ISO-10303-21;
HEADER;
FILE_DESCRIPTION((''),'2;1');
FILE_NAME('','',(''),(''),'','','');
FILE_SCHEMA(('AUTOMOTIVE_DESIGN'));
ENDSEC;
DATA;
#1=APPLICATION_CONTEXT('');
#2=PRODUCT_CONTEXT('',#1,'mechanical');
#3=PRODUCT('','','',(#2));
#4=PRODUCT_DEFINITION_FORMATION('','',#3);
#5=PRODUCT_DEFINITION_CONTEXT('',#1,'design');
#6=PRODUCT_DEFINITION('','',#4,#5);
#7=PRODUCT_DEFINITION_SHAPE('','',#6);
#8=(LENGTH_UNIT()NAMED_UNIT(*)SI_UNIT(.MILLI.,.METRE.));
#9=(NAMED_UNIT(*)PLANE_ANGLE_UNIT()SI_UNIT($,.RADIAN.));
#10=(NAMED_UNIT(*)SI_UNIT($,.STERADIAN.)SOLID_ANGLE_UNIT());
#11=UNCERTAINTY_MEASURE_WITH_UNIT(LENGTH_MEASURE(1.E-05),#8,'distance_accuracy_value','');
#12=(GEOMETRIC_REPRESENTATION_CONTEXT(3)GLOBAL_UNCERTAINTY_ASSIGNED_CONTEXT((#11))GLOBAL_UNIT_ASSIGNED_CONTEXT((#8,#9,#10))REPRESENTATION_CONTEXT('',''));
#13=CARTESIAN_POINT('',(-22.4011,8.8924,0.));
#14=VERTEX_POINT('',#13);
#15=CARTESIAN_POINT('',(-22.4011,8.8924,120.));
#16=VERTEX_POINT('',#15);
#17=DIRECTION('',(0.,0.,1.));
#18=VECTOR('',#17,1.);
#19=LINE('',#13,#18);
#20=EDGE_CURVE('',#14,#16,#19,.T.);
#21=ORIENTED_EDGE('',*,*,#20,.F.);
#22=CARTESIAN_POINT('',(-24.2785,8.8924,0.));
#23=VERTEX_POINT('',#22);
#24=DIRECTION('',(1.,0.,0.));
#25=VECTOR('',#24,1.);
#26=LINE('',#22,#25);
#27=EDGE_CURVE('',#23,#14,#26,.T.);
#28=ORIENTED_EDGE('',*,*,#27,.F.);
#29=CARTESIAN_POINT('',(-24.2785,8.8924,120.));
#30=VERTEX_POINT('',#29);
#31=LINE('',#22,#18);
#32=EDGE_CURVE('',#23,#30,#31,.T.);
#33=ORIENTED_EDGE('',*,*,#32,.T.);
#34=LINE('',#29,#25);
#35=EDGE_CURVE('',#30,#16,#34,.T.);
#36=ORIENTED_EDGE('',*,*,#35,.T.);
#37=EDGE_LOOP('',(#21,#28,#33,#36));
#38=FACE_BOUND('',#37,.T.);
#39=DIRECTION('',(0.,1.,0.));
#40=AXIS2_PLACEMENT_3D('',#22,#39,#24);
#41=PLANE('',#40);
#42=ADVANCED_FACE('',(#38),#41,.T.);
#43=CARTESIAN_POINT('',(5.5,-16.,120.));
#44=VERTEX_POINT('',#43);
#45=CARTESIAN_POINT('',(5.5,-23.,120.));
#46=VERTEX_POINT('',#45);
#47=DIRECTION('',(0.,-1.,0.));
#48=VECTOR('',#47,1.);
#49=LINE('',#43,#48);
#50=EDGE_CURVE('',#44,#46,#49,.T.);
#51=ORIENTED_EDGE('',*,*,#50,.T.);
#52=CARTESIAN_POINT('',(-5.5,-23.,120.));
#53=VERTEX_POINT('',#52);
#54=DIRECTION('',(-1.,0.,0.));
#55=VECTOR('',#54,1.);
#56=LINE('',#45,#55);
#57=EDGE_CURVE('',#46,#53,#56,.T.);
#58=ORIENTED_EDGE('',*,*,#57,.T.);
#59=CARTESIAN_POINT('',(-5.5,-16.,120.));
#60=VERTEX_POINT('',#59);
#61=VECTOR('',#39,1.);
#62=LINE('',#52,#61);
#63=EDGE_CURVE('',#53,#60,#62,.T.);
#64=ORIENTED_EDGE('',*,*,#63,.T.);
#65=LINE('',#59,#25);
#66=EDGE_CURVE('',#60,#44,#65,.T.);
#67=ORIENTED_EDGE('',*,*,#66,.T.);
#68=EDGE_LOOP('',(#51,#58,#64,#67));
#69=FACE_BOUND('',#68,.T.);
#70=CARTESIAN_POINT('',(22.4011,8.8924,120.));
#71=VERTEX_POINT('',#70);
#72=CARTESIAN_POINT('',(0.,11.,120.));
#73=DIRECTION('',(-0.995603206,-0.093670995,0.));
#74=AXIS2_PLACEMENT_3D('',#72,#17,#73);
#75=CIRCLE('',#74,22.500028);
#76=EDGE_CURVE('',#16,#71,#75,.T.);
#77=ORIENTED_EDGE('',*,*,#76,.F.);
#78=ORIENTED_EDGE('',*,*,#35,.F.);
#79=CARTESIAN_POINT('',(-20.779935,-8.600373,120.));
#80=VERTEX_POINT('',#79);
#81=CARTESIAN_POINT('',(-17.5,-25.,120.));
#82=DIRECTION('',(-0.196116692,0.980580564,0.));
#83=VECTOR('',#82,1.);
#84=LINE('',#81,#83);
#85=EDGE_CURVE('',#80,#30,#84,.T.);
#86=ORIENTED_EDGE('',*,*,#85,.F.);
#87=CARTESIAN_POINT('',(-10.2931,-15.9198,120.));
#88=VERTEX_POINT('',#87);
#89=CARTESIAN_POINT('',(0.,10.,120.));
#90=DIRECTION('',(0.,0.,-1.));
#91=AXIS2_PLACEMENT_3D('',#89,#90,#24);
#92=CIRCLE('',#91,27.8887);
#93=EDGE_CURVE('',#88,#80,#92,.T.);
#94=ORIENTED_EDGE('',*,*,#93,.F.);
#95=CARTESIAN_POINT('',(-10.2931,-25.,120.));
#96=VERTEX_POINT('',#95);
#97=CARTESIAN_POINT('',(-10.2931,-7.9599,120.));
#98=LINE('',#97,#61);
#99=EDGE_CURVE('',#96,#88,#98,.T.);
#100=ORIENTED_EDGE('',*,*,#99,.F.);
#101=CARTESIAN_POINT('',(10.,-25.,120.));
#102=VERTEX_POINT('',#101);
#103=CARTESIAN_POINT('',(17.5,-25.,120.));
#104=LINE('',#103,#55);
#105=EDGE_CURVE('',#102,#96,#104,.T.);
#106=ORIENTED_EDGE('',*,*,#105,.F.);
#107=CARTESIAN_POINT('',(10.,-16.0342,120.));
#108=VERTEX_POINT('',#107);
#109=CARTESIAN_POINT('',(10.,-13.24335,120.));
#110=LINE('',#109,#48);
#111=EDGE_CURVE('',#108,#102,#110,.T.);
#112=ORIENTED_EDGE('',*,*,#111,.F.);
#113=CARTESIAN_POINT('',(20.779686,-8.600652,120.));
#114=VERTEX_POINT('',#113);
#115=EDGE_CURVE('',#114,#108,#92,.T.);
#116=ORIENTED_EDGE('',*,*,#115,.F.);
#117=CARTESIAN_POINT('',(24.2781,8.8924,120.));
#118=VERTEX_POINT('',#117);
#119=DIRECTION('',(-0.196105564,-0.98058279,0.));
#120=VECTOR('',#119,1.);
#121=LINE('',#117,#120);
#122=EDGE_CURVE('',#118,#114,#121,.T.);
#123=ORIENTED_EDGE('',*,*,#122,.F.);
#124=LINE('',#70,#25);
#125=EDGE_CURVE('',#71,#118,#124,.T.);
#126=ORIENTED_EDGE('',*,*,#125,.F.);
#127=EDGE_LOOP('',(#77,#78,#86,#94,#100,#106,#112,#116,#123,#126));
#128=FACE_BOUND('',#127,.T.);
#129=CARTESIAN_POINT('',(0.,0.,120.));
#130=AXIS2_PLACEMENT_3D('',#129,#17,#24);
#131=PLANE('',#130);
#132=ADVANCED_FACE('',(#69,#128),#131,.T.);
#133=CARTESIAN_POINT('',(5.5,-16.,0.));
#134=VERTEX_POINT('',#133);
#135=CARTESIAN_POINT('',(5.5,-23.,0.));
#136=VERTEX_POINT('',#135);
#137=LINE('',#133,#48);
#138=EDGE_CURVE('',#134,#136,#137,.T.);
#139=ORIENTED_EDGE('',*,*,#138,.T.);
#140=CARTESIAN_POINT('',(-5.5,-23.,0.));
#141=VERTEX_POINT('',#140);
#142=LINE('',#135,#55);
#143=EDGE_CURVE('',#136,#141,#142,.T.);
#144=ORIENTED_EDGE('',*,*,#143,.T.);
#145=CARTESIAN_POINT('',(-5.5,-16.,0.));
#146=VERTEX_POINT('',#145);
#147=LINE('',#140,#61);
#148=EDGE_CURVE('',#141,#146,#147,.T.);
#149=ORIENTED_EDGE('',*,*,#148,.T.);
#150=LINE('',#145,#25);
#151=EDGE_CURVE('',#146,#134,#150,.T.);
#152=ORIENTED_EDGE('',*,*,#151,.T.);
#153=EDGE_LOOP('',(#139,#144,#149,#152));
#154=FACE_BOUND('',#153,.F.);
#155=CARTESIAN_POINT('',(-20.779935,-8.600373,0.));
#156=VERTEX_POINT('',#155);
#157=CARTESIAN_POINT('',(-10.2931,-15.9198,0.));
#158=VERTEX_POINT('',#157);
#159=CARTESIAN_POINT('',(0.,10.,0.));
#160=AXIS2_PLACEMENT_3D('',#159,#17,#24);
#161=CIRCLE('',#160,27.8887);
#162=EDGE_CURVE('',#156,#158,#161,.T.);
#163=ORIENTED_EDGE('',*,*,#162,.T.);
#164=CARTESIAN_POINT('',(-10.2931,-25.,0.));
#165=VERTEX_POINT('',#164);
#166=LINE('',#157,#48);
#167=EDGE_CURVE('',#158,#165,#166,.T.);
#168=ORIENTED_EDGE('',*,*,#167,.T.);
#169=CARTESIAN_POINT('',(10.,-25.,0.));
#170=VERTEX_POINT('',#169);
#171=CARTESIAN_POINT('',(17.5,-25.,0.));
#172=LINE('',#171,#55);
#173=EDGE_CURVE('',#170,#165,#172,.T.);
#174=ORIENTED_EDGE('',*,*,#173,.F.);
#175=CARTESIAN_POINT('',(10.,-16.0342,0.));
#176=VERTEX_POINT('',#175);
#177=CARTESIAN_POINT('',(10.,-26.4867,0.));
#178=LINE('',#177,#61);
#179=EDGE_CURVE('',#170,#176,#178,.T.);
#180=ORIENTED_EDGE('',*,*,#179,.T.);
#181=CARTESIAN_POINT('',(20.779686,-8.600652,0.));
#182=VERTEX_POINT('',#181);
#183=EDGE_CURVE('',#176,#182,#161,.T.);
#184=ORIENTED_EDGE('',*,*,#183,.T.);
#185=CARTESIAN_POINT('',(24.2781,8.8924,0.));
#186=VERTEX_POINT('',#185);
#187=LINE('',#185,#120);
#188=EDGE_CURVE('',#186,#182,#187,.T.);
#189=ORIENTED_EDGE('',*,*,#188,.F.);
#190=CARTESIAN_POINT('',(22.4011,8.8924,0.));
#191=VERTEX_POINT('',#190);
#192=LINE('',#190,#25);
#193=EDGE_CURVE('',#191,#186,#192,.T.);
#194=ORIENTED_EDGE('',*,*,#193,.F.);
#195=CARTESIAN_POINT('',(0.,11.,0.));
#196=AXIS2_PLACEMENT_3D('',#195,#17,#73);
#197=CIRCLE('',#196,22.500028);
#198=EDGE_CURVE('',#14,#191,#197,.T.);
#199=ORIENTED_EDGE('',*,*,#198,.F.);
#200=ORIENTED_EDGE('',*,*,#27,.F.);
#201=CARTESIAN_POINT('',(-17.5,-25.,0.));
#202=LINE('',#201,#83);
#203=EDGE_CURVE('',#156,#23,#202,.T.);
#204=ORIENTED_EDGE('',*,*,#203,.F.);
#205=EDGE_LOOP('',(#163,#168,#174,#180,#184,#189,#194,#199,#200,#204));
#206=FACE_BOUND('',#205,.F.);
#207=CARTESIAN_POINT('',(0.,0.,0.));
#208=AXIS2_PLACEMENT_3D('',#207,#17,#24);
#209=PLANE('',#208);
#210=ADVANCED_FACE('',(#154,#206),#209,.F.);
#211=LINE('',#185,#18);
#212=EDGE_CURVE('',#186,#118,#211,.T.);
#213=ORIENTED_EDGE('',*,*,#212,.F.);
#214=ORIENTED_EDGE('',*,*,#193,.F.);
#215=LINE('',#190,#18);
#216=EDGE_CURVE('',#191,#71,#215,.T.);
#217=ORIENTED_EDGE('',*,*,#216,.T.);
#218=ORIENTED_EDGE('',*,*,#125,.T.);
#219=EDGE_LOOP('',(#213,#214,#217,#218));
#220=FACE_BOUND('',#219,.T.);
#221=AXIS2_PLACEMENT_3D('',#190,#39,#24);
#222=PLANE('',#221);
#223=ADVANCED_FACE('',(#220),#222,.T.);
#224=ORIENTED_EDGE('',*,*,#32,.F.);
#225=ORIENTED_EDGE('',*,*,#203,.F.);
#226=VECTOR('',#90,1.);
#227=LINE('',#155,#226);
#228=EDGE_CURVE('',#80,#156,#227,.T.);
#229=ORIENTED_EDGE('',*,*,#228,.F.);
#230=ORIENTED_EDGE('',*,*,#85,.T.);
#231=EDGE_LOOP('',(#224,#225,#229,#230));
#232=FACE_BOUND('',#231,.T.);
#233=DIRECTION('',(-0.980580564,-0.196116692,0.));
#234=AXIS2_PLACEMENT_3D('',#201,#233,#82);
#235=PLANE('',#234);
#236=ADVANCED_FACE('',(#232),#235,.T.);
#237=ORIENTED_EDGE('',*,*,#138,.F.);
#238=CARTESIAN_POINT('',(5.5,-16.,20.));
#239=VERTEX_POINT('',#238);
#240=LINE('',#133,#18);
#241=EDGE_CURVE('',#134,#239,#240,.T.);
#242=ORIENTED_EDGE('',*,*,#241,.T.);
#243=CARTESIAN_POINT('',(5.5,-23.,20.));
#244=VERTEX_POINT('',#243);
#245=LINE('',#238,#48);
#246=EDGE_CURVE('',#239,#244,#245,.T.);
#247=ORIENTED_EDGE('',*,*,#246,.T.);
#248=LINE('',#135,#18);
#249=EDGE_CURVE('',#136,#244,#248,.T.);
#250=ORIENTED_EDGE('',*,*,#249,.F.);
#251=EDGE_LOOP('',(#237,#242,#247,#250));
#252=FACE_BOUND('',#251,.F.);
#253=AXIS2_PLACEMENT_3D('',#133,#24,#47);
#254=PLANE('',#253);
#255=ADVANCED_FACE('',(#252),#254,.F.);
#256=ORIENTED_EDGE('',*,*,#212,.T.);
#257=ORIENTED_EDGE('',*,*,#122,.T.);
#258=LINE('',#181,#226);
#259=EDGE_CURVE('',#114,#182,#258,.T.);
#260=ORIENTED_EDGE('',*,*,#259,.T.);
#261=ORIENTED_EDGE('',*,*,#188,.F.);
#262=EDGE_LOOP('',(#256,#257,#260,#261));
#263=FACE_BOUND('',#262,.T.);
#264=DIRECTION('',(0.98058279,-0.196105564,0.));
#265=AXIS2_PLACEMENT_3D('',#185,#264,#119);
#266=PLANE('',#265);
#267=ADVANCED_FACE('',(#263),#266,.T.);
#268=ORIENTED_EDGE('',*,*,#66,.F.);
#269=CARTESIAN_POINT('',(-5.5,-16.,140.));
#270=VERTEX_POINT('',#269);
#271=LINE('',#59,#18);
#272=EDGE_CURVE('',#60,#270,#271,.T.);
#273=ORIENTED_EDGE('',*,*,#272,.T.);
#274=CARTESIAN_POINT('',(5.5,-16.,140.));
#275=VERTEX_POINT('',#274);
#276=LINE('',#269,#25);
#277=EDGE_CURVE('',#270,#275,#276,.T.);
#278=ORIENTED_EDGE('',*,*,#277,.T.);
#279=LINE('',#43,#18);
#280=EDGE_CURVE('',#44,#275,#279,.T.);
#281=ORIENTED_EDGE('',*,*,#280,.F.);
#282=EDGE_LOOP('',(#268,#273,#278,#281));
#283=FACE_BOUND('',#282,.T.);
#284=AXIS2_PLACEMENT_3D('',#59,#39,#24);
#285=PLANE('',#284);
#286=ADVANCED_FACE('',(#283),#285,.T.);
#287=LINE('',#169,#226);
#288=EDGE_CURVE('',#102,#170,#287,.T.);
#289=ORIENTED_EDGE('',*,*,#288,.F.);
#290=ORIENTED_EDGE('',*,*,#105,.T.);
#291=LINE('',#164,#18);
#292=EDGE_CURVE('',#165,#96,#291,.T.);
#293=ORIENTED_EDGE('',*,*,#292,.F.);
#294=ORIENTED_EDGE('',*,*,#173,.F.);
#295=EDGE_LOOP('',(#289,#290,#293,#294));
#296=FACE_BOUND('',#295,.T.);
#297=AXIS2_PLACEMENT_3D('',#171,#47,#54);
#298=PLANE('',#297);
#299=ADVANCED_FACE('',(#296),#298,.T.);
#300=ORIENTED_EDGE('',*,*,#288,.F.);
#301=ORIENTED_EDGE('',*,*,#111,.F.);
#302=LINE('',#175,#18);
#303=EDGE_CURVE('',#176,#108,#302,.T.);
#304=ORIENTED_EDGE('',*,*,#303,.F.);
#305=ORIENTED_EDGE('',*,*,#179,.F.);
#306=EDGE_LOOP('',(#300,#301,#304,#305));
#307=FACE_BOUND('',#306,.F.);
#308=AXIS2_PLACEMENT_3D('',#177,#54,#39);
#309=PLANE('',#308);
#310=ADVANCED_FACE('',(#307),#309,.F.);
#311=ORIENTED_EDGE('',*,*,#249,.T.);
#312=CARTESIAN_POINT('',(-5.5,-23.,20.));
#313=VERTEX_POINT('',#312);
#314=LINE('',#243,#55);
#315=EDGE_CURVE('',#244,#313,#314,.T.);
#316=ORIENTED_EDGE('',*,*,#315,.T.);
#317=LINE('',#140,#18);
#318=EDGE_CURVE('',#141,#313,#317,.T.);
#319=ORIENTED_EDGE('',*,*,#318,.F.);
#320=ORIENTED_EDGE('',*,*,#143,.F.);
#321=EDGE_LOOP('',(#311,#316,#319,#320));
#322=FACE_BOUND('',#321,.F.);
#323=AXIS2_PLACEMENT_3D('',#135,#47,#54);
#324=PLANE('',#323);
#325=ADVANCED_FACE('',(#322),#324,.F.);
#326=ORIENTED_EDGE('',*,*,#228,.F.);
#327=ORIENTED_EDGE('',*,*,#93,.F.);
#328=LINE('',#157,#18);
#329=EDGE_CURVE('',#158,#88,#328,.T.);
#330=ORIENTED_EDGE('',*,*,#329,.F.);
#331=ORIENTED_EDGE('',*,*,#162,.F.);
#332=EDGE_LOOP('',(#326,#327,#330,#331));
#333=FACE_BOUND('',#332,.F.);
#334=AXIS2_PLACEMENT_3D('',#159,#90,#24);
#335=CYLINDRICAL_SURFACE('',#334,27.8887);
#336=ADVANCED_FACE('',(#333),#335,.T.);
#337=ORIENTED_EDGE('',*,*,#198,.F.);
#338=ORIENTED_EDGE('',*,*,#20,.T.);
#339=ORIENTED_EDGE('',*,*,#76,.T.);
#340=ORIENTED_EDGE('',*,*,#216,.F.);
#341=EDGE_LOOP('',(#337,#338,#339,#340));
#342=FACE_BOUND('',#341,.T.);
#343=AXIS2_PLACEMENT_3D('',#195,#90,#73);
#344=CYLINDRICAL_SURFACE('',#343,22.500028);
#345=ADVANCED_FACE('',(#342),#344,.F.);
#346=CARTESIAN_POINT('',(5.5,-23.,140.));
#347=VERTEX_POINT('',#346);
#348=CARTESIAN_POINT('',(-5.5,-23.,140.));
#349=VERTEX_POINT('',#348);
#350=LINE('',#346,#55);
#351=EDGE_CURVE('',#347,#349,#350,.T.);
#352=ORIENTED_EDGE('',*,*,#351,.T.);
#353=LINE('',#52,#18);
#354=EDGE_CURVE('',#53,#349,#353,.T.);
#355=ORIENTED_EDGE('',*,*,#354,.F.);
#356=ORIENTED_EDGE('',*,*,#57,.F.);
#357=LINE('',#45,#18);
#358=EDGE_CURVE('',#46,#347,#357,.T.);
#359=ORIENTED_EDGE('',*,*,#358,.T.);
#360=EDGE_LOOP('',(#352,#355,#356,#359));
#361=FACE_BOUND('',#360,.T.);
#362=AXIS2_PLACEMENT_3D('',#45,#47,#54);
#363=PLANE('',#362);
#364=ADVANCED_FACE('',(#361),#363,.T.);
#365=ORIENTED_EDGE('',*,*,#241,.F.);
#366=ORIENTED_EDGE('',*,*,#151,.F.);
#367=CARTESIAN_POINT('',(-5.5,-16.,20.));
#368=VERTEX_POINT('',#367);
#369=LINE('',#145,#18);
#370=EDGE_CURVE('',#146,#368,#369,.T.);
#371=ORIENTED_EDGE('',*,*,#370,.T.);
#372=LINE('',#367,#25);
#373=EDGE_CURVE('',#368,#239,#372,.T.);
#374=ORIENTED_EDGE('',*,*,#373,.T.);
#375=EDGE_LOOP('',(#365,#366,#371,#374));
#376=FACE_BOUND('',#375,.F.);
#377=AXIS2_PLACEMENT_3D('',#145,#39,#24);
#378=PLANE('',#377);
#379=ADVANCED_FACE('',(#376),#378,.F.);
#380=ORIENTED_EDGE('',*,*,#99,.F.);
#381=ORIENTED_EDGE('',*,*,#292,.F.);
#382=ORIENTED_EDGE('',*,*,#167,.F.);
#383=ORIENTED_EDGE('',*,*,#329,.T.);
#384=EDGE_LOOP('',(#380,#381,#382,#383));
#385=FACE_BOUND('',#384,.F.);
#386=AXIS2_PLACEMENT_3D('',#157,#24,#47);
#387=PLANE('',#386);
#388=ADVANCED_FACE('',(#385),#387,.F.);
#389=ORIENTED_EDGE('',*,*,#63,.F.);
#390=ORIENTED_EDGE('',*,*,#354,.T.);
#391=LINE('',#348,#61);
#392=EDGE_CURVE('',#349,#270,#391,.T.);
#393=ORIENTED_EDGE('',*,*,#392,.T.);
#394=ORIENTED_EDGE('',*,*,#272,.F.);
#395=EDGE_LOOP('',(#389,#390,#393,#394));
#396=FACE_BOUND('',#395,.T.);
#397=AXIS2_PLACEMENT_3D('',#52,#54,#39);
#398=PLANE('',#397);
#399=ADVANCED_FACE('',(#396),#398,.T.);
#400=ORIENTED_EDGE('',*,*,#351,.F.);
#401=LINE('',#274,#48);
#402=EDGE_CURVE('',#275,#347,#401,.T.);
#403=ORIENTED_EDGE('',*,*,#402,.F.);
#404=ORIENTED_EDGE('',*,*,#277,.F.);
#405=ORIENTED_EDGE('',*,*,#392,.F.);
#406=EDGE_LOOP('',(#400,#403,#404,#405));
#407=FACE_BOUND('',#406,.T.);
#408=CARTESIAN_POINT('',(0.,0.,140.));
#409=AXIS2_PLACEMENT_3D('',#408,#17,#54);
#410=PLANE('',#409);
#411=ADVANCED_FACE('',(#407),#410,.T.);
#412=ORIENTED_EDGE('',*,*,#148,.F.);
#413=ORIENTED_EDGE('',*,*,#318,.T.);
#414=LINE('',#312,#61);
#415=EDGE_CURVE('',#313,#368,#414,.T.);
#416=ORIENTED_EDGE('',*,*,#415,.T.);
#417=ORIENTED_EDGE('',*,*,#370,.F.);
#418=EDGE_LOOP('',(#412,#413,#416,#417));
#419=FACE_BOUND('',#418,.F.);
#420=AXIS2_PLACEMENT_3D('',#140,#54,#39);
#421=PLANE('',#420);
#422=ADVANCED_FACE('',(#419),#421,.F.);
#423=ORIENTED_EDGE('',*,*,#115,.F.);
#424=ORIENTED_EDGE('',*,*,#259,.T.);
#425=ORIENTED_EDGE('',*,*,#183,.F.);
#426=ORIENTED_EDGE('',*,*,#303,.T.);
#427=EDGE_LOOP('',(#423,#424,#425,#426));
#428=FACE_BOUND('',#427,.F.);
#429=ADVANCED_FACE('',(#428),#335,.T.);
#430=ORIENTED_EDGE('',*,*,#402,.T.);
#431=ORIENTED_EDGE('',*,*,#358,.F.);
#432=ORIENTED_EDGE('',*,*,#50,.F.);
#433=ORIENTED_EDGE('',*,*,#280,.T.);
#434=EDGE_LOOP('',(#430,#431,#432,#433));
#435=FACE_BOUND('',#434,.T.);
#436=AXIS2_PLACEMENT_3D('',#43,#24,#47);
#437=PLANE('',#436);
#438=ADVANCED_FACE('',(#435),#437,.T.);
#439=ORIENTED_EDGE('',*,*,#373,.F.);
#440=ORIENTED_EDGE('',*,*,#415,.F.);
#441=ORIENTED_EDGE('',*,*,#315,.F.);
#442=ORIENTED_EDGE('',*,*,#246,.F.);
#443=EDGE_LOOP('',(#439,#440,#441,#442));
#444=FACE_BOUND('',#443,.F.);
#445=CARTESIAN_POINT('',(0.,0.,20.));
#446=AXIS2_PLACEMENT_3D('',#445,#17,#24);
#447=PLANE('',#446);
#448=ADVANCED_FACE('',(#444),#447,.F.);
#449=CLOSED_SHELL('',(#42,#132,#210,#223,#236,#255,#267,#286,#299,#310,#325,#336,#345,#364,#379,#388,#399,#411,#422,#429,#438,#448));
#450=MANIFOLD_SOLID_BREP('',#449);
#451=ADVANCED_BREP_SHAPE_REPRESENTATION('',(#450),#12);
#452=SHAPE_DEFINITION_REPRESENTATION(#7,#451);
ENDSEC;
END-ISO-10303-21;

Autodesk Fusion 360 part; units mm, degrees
sketch "Sketch1" plane through (0, 0, 0) normal (0, 0, 1) x (1, 0, 0)
  line L0 (17.5, -25) -> (-17.5, -25)
  line L1 (5.5, -23) -> (-5.5, -23)
  line L2 (-5.5, -23) -> (-5.5, -16)
  line L3 (-5.5, -16) -> (5.5, -16)
  line L4 (5.5, -16) -> (5.5, -23)
  line L5 (-24.2785, 8.8924) -> (-22.4011, 8.8924)
  line L6 (-17.5, -25) -> (-24.2785, 8.8924)
  line L7 (22.4011, 8.8924) -> (24.2781, 8.8924)
  line L8 (24.2781, 8.8924) -> (17.5, -25)
  arc A0 (-22.4011, 8.8924) -> (22.4011, 8.8924) centre (0, 11) ccw
  dimension "d4" = 45
  dimension "d5" = 1.877
extrude "Extrude1" add sketch "Sketch1" along normal blind 120
extrude "Extrude2" add sketch "Sketch1" along normal blind 120 contours L1 L2 L3 L4
extrude "Extrude3" cut sketch "Sketch1" along normal blind 20 contours L1 L2 L3 L4
sketch "Sketch2" plane through (0, 0, 120) normal (0, 0, 1) x (-1, 0, 0)
  line L0 (22.4011, -8.8924) -> (24.2785, -8.8924)
  line L1 (24.2785, -8.8924) -> (17.5, 25)
  line L2 (17.5, 25) -> (-17.5, 25)
  line L3 (-17.5, 25) -> (-24.2781, -8.8924)
  line L4 (-24.2781, -8.8924) -> (-22.4011, -8.8924)
  arc A0 (22.4011, -8.8924) -> (-22.4011, -8.8924) centre (0, -11) ccw
  line L5 (-5.5, 23) -> (5.5, 23)
  line L6 (5.5, 23) -> (5.5, 16)
  line L7 (5.5, 16) -> (-5.5, 16)
  line L8 (-5.5, 16) -> (-5.5, 23)
extrude "Extrude4" add sketch "Sketch2" along normal blind 20 contours L5 L6 L7 L8
sketch "Sketch3" plane through (0, 0, 0) normal (0, 0, 1) x (1, 0, 0)
  circle A0 centre (0, 10) radius 27.8887
  line L0 (-10.2931, -15.9198) -> (-10.2931, -26.4867)
  line L1 (-10.2931, -26.4867) -> (10, -26.4867)
  line L2 (10, -26.4867) -> (10, -16.0342)
  line L3 (-10.2931, -26.4867) -> (-25, -26.4867)
  line L4 (-25, -26.4867) -> (-25, -2.3605)
  line L5 (10, -26.4867) -> (25, -26.4867)
  line L6 (25, -26.4867) -> (25, -2.3605)
extrude "Extrude5" cut sketch "Sketch3" along normal blind 135 contours A0 L0 L3 L4 | A0 L2 L5 L6
